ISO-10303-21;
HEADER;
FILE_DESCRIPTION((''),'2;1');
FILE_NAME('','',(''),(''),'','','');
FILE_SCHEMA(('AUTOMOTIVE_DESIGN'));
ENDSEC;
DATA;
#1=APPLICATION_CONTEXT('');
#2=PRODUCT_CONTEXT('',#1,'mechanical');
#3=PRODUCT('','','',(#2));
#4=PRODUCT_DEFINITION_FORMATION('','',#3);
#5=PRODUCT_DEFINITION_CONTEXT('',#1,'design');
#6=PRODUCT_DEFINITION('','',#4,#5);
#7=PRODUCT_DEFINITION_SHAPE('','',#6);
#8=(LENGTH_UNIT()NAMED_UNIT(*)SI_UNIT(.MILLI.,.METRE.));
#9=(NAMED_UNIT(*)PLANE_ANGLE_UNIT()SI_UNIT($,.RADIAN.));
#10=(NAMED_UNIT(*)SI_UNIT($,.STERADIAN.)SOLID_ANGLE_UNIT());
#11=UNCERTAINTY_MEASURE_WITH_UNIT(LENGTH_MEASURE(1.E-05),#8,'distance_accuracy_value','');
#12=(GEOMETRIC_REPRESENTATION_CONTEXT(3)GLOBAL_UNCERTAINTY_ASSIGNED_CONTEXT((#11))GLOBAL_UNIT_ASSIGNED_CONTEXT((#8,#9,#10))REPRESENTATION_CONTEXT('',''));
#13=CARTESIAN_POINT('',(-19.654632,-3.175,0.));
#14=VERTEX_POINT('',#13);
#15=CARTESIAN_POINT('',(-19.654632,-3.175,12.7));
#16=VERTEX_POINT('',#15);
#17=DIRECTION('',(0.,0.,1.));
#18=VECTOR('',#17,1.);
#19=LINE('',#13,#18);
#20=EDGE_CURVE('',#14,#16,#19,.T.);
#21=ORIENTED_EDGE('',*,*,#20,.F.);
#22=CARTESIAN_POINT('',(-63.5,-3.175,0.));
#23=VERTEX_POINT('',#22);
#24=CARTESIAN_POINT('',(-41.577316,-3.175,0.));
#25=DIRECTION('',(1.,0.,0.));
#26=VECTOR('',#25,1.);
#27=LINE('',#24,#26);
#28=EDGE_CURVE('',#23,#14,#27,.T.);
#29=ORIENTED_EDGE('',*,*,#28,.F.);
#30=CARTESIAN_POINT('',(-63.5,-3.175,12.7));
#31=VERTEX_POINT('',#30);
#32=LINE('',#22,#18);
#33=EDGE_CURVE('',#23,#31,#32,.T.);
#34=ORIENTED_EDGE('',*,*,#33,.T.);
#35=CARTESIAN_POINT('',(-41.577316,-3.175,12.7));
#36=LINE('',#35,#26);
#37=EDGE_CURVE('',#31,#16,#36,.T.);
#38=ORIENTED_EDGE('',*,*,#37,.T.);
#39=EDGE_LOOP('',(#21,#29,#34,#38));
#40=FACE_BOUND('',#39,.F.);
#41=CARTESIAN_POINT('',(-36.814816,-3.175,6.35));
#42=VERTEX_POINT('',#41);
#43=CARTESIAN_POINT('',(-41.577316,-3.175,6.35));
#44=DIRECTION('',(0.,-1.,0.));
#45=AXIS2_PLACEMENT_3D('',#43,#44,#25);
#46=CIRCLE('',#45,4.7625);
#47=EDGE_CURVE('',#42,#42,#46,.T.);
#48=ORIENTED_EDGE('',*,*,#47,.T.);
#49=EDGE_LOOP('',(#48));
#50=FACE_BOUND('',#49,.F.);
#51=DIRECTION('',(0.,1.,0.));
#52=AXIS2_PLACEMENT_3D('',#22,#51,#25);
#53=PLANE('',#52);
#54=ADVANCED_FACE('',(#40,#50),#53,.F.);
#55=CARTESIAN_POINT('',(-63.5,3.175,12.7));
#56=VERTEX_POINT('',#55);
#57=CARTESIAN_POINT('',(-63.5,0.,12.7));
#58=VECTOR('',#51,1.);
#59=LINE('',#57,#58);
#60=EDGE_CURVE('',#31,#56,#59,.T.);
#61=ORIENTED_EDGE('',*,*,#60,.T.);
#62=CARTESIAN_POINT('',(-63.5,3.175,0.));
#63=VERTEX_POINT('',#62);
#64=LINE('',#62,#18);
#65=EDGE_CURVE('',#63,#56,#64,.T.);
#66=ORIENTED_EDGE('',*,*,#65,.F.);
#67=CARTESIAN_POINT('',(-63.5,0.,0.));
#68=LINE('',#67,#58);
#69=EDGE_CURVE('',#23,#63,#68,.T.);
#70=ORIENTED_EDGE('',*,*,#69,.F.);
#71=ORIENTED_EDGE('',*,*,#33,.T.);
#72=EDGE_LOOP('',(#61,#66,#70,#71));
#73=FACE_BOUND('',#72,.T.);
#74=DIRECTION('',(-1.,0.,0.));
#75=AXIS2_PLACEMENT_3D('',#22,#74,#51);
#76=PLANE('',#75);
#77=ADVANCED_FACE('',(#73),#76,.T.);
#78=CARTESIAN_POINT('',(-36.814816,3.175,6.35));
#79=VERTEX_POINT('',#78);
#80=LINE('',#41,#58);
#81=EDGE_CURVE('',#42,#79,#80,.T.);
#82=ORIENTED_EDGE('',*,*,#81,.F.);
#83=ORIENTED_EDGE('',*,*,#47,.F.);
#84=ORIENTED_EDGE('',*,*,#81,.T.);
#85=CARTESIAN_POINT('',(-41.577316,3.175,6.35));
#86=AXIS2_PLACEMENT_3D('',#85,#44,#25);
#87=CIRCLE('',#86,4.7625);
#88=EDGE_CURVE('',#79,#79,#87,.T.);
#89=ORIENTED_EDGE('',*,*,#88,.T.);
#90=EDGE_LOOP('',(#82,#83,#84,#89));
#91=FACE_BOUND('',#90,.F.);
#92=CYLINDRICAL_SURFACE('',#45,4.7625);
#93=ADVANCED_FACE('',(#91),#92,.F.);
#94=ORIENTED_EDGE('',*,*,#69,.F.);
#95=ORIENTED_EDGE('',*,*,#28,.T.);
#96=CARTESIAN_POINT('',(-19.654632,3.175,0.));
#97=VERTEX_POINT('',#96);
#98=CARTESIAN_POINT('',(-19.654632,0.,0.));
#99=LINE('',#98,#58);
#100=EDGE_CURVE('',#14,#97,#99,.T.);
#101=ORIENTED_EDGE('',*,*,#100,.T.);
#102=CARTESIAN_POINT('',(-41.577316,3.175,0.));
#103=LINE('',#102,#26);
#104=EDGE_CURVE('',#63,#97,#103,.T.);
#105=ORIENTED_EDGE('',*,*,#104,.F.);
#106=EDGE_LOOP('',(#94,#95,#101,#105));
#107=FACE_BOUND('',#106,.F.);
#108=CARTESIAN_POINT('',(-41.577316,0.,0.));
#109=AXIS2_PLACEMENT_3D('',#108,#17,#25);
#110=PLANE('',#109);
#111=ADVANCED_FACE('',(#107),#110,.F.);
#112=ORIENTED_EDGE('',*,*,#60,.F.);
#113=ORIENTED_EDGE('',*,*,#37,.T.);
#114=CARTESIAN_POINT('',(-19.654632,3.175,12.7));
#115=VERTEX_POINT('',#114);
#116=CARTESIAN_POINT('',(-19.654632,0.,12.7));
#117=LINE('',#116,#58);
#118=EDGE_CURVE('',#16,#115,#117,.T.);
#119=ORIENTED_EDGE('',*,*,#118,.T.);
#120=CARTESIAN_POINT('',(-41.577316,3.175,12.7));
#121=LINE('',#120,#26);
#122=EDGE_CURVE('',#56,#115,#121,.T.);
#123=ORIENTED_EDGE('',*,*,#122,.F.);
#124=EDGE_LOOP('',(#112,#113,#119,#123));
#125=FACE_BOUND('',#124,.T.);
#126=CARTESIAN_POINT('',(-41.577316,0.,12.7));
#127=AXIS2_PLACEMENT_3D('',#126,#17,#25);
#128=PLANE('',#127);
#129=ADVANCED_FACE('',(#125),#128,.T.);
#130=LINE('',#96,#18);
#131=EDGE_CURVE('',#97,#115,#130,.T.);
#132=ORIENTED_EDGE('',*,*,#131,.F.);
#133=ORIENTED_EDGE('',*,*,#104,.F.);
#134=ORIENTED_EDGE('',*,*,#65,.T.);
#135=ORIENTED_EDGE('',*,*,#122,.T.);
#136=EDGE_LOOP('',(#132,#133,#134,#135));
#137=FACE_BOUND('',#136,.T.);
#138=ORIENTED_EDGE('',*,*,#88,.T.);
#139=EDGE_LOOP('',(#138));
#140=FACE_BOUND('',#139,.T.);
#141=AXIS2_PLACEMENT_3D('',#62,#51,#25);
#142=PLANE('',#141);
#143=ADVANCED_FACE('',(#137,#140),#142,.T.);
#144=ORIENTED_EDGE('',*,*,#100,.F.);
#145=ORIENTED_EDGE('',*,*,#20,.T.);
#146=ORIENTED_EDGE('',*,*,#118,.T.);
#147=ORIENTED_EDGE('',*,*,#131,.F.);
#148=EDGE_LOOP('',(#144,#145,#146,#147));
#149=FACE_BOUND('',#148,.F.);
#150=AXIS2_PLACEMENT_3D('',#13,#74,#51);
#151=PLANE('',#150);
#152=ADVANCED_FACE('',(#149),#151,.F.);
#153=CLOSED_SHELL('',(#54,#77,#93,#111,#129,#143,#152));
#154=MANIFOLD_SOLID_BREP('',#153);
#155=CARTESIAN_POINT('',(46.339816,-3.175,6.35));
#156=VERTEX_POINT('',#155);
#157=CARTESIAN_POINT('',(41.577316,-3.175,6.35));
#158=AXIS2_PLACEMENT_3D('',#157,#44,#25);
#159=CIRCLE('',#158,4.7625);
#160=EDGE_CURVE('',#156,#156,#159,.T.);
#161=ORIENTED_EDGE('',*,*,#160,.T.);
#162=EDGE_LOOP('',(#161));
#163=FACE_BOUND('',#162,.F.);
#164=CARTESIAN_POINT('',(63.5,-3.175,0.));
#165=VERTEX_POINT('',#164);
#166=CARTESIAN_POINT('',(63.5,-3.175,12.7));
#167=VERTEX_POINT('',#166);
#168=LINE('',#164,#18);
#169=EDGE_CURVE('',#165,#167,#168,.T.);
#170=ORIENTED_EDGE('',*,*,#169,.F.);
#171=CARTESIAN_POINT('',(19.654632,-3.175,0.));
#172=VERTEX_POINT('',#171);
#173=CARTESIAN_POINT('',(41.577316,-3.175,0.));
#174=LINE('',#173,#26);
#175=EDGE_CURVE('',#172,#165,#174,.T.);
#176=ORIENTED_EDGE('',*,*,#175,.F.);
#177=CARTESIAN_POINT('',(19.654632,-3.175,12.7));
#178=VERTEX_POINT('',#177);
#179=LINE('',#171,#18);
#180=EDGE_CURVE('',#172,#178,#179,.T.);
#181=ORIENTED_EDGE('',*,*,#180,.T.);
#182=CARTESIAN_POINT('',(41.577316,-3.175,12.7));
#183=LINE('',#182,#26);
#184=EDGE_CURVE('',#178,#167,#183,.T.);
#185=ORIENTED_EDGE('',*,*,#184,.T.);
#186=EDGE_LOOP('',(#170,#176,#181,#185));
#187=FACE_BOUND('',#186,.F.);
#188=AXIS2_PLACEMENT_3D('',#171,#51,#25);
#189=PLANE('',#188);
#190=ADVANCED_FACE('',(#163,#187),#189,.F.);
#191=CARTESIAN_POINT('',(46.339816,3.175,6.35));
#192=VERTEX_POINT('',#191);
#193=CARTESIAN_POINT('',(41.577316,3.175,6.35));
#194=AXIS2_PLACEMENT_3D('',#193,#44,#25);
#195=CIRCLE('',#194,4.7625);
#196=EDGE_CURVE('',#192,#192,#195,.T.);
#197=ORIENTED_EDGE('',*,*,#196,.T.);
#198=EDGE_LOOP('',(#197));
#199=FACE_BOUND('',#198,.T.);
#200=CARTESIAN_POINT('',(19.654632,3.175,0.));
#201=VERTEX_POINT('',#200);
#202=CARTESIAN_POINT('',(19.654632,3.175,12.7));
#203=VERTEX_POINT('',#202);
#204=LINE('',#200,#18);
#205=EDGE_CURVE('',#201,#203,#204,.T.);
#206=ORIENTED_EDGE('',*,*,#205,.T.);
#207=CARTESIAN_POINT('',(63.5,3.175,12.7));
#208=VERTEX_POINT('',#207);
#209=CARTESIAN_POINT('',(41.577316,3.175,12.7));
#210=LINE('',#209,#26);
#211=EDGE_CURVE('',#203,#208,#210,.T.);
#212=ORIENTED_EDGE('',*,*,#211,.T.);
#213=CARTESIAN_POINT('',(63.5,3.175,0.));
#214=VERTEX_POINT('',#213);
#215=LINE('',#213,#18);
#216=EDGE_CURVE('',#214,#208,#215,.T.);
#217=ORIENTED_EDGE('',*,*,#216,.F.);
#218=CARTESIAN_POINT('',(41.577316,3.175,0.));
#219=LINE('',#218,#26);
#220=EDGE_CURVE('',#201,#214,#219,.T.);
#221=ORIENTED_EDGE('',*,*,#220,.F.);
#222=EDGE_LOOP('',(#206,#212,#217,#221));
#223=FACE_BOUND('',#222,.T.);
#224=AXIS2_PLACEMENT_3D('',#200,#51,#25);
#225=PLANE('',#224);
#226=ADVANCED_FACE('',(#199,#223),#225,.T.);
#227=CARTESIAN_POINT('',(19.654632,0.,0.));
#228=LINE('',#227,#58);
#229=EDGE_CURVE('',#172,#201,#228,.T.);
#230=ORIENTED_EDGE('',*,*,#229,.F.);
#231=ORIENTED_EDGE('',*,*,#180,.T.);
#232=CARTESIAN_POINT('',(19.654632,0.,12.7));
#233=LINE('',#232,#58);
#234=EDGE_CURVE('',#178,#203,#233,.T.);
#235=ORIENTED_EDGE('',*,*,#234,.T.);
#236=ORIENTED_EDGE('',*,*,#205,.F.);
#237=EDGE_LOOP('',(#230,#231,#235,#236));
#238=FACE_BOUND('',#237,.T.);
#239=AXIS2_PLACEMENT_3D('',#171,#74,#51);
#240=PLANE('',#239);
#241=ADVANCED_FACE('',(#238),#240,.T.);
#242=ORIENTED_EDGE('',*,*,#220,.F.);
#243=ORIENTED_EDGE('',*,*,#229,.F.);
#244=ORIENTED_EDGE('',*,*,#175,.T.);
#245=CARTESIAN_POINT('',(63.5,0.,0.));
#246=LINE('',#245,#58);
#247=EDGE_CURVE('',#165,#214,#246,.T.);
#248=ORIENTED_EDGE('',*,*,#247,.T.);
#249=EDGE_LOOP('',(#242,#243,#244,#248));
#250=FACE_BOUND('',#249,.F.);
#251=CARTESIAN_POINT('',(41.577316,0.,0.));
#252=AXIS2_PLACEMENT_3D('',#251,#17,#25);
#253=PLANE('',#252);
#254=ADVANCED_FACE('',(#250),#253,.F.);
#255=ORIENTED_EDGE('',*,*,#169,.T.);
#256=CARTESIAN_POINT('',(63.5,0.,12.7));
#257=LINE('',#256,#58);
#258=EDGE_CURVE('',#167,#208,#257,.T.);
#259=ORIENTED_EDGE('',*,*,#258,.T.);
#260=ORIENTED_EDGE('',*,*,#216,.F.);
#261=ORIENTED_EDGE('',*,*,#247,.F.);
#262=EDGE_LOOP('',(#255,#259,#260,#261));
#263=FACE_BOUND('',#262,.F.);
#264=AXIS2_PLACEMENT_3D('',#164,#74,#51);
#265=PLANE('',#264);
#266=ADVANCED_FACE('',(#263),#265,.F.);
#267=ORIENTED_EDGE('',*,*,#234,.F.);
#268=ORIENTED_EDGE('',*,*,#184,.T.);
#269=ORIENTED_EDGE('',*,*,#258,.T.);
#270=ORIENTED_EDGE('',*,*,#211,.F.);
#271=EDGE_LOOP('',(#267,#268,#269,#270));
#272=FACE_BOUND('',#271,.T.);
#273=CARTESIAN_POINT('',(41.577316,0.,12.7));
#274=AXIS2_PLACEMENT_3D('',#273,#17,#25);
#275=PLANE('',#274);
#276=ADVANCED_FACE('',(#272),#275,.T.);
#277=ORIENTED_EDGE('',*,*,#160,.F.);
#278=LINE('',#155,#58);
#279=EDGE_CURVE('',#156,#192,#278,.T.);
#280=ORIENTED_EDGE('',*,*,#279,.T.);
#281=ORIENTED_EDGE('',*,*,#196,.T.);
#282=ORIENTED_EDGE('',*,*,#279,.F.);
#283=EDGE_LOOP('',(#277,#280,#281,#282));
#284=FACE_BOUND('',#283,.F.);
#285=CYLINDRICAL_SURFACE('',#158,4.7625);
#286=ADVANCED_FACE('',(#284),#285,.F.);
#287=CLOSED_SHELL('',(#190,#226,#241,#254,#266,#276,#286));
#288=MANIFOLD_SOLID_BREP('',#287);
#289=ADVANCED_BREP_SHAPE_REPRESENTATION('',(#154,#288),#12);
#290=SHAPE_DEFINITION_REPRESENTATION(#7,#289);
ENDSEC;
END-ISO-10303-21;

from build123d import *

# Parameters (mm, degrees)
F0_W     = 43.845368
F0_H     = 6.35
F1_DEPTH = 12.7
F2_R     = 4.7625
F3_DEPTH = 25.4


with BuildPart() as f1:
    # F0 (on Top) → F1 (new body)
    with BuildSketch(Plane.XY):
        with Locations((-41.577316, 0)):
            Rectangle(F0_W, F0_H)
        with Locations((41.577316, 0)):
            Rectangle(F0_W, F0_H)
    extrude(amount=F1_DEPTH)

    # F2 (on face) → F3 (cut)
    with BuildSketch(Plane.XZ.offset(3.175)):
        with Locations((-41.577316, 6.35)):
            Circle(F2_R)
        with Locations((41.577316, 6.35)):
            Circle(F2_R)
    extrude(amount=-F3_DEPTH, mode=Mode.SUBTRACT)


solid = f1.part
